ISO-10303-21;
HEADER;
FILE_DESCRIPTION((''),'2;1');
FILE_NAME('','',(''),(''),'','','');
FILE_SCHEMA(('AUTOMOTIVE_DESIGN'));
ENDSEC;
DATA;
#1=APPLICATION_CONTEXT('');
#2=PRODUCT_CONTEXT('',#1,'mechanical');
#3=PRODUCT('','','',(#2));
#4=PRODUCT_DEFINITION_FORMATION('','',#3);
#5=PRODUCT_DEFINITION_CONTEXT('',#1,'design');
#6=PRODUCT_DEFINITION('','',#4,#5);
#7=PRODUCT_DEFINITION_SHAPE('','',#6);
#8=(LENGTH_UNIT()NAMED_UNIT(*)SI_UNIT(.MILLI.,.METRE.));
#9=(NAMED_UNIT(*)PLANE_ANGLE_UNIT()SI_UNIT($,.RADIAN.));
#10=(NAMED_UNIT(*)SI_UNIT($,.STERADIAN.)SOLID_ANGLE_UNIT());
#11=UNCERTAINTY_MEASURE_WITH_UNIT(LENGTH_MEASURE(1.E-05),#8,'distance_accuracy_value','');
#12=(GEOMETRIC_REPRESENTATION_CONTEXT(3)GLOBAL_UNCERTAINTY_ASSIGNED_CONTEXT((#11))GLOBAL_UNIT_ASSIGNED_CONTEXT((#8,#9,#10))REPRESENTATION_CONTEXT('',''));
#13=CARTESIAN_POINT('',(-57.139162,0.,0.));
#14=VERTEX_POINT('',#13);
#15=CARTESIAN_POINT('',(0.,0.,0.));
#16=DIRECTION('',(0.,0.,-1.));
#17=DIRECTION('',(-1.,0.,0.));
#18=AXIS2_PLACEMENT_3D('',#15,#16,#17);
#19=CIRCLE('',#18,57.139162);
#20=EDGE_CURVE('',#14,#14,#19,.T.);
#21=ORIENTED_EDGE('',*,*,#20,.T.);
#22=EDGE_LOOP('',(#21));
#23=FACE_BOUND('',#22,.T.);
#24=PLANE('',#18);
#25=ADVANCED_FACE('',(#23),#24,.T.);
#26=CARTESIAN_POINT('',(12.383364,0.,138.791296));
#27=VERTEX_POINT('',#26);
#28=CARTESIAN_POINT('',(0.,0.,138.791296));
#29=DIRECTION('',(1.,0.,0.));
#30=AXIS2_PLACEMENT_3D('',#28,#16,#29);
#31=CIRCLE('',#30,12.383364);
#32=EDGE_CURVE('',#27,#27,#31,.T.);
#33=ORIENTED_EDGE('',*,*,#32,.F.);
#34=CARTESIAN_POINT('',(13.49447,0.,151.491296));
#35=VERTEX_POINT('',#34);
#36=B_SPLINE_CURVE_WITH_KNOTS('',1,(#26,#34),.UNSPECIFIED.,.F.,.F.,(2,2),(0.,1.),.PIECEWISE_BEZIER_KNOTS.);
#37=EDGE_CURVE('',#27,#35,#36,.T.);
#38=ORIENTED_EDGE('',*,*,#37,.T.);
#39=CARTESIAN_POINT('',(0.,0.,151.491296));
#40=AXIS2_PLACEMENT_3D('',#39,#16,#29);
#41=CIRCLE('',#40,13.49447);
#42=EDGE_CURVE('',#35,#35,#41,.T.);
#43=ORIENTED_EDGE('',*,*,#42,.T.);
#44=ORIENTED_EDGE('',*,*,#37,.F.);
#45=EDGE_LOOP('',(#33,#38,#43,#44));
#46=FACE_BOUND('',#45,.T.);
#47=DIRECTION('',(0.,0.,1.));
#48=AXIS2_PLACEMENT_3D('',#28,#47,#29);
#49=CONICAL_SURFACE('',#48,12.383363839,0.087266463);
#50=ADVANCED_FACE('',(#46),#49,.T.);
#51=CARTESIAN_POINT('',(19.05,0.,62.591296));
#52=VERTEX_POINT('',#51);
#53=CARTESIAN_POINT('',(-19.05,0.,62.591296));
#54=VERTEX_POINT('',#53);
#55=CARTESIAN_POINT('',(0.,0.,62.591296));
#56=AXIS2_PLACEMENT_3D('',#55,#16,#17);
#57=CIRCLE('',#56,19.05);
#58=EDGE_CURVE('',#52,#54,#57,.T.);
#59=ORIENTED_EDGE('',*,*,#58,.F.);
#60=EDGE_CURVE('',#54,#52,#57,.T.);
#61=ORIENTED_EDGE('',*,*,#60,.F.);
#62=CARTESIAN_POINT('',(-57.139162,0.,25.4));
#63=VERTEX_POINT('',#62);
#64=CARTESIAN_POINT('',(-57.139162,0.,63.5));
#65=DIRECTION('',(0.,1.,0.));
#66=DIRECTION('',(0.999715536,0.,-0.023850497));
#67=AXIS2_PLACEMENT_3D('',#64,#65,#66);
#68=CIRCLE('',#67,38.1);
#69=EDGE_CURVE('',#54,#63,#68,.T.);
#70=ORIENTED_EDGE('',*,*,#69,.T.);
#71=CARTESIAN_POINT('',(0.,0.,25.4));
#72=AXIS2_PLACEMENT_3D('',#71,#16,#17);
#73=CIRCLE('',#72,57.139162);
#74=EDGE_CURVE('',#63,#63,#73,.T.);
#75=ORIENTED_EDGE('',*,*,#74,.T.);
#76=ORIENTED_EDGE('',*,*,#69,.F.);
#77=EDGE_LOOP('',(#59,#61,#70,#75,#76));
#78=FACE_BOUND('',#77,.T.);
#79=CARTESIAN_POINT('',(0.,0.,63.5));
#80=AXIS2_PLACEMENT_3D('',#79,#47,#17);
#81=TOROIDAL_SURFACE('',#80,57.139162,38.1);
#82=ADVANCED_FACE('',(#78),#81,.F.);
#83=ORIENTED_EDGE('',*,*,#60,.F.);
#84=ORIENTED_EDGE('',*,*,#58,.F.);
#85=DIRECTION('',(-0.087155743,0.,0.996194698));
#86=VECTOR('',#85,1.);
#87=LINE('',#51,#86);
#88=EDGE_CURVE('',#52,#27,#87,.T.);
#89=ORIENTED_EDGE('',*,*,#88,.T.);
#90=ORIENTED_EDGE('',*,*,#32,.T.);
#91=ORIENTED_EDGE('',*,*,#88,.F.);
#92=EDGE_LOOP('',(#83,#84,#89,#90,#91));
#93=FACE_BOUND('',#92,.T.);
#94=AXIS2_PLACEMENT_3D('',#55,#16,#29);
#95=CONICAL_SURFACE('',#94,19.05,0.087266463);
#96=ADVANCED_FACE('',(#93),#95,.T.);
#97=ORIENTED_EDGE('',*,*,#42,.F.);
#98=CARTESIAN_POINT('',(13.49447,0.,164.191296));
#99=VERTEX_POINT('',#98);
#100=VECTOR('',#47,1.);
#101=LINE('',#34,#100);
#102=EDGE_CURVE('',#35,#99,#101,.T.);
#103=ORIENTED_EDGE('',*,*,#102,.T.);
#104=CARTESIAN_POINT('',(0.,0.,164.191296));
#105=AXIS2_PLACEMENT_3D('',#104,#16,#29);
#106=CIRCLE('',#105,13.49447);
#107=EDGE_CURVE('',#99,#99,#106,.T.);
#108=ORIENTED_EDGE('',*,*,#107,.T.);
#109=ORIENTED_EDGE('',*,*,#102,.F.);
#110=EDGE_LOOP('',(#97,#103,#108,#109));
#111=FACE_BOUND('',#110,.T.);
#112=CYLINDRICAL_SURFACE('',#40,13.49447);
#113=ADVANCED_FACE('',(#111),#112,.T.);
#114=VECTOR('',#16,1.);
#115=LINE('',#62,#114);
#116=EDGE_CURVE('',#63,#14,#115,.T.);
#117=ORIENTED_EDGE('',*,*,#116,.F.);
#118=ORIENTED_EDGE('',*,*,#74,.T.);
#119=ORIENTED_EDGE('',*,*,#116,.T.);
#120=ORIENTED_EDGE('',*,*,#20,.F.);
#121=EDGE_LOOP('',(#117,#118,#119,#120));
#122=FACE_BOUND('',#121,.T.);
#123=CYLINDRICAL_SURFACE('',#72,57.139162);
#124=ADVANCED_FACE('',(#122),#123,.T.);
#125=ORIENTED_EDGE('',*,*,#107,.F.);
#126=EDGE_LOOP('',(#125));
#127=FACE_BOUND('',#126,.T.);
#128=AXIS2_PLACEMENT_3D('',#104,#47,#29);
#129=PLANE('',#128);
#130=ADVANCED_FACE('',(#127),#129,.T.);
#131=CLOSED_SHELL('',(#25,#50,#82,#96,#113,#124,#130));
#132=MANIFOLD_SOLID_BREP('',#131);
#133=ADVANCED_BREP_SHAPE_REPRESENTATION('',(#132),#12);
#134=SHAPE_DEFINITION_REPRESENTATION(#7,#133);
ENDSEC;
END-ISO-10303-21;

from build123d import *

# Parameters (mm, degrees)
F1_FACE_R = 19.05
F2_DEPTH  = 76.2
F2_TAPER  = 5
F2_FACE_R = 12.3833638393
F3_DEPTH  = 12.7
F3_TAPER  = -5
F4_DEPTH  = 12.7


with BuildPart() as f1:
    # F0 (on Front) → F1 (revolve)
    with BuildSketch(Plane.XZ):
        with BuildLine():
            Line((-57.1391619384, 0), (0, 0))
            Line((0, 0), (0, 62.5912960728))
            Line((0, 62.5912960728), (-19.05, 62.5912960728))
            ThreePointArc((-19.05, 62.5912960728), (-30.5216077648, 36.2398494169), (-57.1391619384, 25.4))
            Line((-57.1391619384, 25.4), (-57.1391619384, 0))
        make_face()
    revolve(axis=Axis((0, 0, 31.2956480364), (0, 0, -1)))

    # F1_face (on face) → F2 (join)
    with BuildSketch(Plane.XY.offset(62.5912960728)):
        Circle(F1_FACE_R)
    extrude(amount=F2_DEPTH, taper=F2_TAPER)

    # F2_face (on face) → F3 (join)
    with BuildSketch(Plane.XY.offset(138.7912960728)):
        Circle(F2_FACE_R)
    extrude(amount=F3_DEPTH, taper=F3_TAPER)

    # F4 (add): a face of the model
    f4_faces = [f1.faces().sort_by_distance(p)[0] for p in [
        (0, 0, 151.4912960728),
    ]]
    extrude(f4_faces, amount=F4_DEPTH)


solid = f1.part
